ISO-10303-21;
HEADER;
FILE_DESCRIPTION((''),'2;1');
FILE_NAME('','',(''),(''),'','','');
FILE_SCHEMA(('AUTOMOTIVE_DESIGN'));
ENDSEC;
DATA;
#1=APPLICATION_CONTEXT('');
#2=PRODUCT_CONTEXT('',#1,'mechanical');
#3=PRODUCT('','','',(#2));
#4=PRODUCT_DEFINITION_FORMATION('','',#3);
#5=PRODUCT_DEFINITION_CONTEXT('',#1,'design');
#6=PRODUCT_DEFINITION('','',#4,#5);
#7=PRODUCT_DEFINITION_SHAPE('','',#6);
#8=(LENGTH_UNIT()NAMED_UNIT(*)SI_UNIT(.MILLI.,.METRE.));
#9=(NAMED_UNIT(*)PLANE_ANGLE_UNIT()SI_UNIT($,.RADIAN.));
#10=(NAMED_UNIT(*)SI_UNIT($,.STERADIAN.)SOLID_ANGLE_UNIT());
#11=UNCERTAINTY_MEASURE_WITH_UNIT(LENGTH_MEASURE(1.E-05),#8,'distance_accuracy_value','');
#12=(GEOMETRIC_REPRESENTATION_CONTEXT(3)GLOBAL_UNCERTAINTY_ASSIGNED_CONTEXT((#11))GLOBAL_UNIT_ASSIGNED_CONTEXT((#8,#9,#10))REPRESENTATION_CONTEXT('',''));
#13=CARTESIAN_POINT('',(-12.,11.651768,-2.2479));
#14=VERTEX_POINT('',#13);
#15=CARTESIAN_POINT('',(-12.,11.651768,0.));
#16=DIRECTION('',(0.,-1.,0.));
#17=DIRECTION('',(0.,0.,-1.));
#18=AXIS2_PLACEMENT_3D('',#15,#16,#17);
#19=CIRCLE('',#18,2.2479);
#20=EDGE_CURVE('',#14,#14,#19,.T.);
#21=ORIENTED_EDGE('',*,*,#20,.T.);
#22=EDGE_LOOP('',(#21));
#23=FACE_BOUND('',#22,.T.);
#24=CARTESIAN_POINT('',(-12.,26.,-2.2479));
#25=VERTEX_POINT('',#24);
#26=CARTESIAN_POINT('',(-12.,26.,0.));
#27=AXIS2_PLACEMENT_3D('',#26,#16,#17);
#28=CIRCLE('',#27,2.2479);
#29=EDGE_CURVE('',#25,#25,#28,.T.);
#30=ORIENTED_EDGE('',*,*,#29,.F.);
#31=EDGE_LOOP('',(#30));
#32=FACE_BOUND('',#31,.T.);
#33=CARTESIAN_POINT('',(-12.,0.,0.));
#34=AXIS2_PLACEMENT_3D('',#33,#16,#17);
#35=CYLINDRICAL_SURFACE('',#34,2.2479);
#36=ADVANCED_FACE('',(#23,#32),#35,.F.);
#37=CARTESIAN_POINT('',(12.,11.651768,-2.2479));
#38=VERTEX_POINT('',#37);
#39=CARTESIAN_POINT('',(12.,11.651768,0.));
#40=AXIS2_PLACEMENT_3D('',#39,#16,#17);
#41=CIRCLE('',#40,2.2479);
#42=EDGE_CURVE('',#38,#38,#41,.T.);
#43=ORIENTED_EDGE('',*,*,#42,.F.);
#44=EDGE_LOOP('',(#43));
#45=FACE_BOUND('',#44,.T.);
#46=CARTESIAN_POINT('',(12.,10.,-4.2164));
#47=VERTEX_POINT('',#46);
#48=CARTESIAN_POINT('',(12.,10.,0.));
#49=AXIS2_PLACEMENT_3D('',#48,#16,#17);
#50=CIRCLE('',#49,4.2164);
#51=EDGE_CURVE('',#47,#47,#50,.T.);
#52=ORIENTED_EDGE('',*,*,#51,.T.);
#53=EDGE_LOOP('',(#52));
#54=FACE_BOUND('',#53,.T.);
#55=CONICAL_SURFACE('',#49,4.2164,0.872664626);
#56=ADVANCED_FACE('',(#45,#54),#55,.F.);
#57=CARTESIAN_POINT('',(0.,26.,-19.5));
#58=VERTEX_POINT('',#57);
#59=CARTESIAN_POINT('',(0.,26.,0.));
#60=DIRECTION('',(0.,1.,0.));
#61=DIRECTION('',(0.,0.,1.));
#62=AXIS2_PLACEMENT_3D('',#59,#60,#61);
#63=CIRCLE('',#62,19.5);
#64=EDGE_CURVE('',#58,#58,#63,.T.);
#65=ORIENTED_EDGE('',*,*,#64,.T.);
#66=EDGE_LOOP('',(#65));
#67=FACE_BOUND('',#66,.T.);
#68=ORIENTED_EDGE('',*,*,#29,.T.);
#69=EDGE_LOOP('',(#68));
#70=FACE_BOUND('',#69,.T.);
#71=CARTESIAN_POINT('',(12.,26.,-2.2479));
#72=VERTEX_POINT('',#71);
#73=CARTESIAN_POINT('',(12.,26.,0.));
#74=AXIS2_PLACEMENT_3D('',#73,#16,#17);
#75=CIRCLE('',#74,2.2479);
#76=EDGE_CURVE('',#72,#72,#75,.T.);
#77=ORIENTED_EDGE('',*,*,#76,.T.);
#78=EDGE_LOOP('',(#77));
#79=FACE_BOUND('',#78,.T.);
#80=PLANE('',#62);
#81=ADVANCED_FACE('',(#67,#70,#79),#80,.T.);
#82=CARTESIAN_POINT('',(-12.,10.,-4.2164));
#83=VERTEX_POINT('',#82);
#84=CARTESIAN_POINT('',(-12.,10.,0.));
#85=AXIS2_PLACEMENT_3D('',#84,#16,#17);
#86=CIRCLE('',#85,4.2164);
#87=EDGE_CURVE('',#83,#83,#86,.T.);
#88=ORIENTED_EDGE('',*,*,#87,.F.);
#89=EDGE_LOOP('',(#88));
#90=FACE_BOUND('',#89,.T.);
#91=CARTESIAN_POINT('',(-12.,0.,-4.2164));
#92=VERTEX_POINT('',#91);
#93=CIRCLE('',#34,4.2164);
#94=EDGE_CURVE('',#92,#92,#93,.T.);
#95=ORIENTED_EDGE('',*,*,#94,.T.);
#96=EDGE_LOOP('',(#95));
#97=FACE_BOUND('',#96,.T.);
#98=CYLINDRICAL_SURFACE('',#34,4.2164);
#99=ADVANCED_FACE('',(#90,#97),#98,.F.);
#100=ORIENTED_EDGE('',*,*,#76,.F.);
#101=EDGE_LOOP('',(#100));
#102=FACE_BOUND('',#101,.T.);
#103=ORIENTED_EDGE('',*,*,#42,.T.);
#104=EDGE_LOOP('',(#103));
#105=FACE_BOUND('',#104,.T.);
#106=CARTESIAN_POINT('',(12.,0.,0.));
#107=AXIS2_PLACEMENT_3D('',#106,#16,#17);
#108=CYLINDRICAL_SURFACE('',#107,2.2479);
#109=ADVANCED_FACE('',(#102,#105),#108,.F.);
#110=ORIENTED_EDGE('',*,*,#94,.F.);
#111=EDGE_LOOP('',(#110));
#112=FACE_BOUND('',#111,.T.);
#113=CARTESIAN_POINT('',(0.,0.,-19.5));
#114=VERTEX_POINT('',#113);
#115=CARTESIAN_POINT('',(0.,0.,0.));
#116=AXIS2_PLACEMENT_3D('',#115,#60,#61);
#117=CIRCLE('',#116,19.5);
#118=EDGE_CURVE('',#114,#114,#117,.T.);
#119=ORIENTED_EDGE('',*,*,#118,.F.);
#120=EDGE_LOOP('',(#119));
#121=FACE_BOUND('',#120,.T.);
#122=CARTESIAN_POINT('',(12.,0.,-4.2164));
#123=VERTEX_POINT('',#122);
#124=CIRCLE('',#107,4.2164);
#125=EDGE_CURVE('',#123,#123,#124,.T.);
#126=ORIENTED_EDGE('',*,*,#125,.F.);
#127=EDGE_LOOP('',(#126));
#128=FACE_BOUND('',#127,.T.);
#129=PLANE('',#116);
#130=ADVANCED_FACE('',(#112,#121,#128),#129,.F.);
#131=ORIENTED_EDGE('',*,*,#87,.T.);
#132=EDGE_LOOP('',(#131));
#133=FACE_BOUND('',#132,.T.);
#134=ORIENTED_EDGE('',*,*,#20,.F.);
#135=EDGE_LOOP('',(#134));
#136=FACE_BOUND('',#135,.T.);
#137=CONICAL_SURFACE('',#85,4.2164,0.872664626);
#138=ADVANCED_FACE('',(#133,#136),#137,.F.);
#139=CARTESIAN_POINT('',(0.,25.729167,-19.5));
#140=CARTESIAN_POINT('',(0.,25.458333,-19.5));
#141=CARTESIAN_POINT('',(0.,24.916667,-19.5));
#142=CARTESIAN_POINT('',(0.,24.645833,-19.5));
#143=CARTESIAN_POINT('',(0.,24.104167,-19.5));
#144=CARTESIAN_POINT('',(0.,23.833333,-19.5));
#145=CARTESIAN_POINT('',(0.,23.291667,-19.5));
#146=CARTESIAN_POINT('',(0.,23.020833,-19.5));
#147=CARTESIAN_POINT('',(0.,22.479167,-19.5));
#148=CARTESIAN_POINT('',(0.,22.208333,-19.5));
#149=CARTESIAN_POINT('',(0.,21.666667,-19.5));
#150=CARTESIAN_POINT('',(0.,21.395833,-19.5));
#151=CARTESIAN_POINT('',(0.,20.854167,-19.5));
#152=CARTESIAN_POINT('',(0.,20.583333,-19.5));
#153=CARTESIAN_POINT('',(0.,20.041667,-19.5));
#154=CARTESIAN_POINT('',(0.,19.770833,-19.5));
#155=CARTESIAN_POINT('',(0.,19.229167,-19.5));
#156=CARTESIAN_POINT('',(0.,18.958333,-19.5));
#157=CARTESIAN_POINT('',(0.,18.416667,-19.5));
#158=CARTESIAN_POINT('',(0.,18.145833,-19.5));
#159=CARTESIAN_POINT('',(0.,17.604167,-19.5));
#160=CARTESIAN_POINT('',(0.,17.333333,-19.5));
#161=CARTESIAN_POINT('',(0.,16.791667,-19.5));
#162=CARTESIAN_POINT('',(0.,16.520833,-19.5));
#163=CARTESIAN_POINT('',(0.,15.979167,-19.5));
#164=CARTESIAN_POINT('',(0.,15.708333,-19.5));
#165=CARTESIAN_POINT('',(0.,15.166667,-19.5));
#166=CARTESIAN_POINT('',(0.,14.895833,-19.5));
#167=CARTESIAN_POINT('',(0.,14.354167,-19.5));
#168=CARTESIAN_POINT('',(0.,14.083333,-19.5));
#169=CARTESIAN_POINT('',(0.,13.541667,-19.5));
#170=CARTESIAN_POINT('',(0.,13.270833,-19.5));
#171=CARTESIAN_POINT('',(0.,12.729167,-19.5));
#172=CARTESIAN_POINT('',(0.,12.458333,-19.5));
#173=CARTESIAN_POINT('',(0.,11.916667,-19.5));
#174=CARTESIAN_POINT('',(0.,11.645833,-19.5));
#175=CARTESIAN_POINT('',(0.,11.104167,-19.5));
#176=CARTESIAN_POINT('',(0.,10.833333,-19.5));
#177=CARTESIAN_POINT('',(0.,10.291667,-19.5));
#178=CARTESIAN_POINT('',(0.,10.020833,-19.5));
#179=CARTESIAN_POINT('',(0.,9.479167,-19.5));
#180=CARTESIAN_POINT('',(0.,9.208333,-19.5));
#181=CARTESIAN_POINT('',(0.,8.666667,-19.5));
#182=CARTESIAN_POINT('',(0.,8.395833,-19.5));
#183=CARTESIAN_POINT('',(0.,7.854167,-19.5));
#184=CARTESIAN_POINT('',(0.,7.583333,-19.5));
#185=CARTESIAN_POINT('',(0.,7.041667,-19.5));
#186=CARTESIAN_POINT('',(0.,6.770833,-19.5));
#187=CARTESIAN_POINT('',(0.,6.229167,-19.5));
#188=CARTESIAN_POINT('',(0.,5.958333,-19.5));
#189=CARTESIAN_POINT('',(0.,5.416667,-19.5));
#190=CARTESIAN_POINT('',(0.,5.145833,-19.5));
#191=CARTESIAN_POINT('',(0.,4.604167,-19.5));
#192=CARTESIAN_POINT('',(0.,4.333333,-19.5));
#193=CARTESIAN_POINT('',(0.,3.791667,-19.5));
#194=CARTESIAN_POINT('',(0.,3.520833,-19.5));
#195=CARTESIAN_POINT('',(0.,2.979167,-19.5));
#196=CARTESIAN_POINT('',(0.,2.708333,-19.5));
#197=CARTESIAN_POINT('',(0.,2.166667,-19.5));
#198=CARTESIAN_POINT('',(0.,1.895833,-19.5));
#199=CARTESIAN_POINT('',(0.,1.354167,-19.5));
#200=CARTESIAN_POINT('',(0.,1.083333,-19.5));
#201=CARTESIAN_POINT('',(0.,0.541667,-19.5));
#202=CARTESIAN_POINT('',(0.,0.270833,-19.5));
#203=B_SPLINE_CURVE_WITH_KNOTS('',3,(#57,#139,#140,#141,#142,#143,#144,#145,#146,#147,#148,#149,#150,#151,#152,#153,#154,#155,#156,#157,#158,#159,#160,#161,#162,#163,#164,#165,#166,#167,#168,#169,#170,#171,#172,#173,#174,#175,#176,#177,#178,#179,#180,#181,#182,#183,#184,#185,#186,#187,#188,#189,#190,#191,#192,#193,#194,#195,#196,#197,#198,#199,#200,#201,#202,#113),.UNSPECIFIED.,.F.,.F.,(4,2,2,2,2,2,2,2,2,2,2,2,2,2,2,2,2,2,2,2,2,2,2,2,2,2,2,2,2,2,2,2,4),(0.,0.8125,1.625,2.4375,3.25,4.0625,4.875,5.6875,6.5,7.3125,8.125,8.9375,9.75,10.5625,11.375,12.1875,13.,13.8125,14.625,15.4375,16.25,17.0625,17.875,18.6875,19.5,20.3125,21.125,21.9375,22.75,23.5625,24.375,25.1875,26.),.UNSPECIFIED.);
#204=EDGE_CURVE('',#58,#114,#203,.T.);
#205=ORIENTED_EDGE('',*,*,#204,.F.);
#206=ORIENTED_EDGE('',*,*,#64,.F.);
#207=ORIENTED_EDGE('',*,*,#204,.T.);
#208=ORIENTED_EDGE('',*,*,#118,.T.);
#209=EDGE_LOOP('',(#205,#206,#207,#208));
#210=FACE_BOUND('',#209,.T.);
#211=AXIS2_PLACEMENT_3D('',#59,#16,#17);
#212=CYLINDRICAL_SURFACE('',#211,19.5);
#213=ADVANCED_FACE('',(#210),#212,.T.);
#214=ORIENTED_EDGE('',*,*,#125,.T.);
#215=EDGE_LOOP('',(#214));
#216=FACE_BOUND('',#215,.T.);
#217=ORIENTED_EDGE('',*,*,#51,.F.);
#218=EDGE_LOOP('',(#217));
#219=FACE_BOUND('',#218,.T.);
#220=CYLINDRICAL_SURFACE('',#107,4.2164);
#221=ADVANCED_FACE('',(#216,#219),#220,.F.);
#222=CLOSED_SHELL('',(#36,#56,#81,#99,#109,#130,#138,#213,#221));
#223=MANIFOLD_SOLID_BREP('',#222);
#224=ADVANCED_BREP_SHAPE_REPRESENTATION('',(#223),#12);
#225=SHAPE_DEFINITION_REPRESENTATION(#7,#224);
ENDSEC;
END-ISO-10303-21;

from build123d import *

# Parameters (mm, degrees)
SKETCH1_R                                 = 19.5
BOSS_EXTRUDE1_DEPTH                       = 26
CSK_FOR_8_FLAT_HEAD_MACHINE_SCREW_2_COUNT = 2
CSK_FOR_8_FLAT_HEAD_MACHINE_SCREW_2_PITCH = 24


with BuildPart() as part:
    # Sketch1 → Boss-Extrude1 (new body)
    with BuildSketch(Plane(origin=(0, 0, 0), x_dir=(1, 0, 0), z_dir=(0, 1, 0))):
        with Locations(Location((0, 0, 0), (0, 0, 90))):
            Circle(SKETCH1_R)
    extrude(amount=BOSS_EXTRUDE1_DEPTH)

    # Sketch3 → CSK for #8 Flat Head Machine Screw (100)1 (revolve, cut)
    with BuildSketch(Plane(origin=(12, 0, 0), x_dir=(0, 0, -1), z_dir=(1, 0, 0))):
        Polygon((0, 0), (0, 26), (2.2479, 26), (2.2479, 11.651767624), (4.2164, 10), (4.2164, 0), align=None)
    csk_for_8_flat_head_machine_screw_100 = revolve(axis=Axis((12, -6.35, 0), (0, 1, 0)), mode=Mode.SUBTRACT)

    # CSK for _8 Flat Head Machine Screw _ 2: CSK for #8 Flat Head Machine Screw (100)1 ×2
    with Locations(*[(-i * CSK_FOR_8_FLAT_HEAD_MACHINE_SCREW_2_PITCH, 0, 0) for i in range(1, CSK_FOR_8_FLAT_HEAD_MACHINE_SCREW_2_COUNT)]):
        add(csk_for_8_flat_head_machine_screw_100, mode=Mode.SUBTRACT)


solid = part.part
